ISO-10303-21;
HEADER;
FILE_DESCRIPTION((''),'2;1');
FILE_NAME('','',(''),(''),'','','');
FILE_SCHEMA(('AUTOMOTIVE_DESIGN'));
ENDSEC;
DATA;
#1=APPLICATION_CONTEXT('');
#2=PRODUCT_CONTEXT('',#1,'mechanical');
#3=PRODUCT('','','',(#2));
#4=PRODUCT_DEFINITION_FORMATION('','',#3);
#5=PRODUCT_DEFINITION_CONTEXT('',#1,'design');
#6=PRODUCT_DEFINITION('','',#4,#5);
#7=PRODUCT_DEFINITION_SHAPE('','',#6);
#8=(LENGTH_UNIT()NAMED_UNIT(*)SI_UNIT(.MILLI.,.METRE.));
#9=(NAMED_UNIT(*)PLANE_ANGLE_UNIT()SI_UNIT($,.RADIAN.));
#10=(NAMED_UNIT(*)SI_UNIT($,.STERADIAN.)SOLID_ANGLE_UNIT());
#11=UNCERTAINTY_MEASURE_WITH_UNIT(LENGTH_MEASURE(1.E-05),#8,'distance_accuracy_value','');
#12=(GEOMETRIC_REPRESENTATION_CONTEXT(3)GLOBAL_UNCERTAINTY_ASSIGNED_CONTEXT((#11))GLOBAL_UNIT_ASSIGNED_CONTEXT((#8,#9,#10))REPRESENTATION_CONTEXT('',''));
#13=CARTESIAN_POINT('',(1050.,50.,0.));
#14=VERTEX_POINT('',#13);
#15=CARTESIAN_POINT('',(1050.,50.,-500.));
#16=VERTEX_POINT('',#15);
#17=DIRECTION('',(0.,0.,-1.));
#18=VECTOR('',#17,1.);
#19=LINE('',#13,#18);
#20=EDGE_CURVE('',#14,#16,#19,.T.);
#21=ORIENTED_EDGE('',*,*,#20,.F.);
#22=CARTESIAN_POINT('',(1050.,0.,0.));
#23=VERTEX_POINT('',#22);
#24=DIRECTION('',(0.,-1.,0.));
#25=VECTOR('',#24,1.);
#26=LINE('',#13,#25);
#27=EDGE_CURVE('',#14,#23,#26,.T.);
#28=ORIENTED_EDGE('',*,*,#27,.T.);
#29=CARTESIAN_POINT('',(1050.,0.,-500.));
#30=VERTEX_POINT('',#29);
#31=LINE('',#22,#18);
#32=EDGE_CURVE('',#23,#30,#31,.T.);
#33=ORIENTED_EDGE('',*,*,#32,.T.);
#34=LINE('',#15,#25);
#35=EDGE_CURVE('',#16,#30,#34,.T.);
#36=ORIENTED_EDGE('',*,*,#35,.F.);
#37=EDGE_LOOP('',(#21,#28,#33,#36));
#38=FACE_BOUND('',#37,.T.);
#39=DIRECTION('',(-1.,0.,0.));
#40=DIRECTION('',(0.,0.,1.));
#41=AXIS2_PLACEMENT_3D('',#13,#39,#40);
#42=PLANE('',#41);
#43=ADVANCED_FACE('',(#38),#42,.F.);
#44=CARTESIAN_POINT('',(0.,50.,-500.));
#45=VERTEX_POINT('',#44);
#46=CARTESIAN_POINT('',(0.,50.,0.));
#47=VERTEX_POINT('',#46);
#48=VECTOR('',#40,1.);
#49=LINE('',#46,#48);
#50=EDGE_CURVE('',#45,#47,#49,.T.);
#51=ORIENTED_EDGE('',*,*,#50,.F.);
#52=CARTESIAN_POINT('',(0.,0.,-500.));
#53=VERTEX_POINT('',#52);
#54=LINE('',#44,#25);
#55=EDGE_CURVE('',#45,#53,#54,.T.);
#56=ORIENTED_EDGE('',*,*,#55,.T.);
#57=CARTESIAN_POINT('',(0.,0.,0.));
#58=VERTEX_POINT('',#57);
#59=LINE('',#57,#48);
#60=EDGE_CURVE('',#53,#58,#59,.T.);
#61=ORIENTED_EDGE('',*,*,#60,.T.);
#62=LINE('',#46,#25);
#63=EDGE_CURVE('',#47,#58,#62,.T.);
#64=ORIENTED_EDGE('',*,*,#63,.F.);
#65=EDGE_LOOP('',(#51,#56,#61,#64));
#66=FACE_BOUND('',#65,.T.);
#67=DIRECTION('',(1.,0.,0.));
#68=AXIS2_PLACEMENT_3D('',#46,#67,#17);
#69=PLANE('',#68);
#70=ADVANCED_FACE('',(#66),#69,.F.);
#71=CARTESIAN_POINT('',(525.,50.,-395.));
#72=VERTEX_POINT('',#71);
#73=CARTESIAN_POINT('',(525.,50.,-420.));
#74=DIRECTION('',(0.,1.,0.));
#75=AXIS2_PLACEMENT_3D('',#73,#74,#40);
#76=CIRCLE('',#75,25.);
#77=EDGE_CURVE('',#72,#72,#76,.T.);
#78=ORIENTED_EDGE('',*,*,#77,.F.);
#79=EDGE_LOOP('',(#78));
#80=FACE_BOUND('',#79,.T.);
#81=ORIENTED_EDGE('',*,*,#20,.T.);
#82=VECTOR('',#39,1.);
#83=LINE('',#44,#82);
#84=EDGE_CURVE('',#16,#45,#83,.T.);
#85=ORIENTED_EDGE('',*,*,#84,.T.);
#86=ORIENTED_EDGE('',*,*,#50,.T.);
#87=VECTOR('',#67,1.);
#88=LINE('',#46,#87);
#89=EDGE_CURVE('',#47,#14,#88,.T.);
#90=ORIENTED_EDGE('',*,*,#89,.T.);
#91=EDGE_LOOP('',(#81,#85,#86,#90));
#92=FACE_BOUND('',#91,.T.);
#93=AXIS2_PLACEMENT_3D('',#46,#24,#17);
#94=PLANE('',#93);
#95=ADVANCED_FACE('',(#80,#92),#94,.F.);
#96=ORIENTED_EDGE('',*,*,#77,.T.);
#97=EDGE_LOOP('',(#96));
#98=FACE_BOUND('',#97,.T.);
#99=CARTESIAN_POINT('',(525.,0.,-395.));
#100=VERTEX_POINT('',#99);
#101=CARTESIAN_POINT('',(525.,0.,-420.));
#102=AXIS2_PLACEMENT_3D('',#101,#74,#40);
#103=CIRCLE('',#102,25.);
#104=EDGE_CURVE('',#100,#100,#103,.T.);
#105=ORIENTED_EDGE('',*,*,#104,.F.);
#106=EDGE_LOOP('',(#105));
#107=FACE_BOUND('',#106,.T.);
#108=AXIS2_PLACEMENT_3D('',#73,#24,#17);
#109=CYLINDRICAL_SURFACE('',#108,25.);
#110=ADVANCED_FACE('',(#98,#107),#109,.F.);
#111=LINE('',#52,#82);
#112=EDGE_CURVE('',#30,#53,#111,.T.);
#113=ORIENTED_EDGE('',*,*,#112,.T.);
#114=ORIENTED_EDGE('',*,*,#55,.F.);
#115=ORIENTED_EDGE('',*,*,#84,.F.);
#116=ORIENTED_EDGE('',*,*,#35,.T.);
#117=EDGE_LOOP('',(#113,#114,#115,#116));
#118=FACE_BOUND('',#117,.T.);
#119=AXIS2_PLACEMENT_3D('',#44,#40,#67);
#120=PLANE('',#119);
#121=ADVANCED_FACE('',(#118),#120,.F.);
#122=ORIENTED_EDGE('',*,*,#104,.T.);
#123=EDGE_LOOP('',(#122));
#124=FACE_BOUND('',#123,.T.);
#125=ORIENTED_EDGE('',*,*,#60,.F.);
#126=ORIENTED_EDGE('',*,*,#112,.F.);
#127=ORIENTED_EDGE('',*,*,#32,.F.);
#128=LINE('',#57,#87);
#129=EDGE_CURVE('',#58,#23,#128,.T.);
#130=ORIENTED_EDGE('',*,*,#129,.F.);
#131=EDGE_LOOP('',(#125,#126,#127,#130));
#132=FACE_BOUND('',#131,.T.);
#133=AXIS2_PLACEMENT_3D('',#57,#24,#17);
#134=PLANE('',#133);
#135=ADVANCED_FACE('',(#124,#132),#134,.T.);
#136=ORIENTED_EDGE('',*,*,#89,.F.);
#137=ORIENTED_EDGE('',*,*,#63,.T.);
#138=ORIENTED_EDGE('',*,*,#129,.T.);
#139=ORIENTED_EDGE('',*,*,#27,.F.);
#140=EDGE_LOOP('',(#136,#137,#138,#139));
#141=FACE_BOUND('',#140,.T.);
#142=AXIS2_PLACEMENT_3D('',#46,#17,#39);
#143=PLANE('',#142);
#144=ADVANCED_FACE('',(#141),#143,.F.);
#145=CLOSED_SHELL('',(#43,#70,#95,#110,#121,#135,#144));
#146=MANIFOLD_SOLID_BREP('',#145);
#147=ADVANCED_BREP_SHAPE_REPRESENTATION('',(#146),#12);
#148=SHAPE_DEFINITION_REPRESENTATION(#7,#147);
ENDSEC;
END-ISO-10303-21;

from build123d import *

# Parameters (mm, degrees)
CROQUIS2_W              = 1050
CROQUIS2_H              = 500
CROQUIS2_R              = 25
SALIENTE_EXTRUIR1_DEPTH = 50


with BuildPart() as part:
    # Croquis2 → Saliente-Extruir1 (new body)
    with BuildSketch(Plane(origin=(0, 0, 0), x_dir=(1, 0, 0), z_dir=(0, 1, 0))):
        with Locations((525, 250)):
            Rectangle(CROQUIS2_W, CROQUIS2_H)
        with Locations(Location((525, 420, 0), (0, 0, 270))):
            Circle(CROQUIS2_R, mode=Mode.SUBTRACT)
    extrude(amount=SALIENTE_EXTRUIR1_DEPTH)


solid = part.part
